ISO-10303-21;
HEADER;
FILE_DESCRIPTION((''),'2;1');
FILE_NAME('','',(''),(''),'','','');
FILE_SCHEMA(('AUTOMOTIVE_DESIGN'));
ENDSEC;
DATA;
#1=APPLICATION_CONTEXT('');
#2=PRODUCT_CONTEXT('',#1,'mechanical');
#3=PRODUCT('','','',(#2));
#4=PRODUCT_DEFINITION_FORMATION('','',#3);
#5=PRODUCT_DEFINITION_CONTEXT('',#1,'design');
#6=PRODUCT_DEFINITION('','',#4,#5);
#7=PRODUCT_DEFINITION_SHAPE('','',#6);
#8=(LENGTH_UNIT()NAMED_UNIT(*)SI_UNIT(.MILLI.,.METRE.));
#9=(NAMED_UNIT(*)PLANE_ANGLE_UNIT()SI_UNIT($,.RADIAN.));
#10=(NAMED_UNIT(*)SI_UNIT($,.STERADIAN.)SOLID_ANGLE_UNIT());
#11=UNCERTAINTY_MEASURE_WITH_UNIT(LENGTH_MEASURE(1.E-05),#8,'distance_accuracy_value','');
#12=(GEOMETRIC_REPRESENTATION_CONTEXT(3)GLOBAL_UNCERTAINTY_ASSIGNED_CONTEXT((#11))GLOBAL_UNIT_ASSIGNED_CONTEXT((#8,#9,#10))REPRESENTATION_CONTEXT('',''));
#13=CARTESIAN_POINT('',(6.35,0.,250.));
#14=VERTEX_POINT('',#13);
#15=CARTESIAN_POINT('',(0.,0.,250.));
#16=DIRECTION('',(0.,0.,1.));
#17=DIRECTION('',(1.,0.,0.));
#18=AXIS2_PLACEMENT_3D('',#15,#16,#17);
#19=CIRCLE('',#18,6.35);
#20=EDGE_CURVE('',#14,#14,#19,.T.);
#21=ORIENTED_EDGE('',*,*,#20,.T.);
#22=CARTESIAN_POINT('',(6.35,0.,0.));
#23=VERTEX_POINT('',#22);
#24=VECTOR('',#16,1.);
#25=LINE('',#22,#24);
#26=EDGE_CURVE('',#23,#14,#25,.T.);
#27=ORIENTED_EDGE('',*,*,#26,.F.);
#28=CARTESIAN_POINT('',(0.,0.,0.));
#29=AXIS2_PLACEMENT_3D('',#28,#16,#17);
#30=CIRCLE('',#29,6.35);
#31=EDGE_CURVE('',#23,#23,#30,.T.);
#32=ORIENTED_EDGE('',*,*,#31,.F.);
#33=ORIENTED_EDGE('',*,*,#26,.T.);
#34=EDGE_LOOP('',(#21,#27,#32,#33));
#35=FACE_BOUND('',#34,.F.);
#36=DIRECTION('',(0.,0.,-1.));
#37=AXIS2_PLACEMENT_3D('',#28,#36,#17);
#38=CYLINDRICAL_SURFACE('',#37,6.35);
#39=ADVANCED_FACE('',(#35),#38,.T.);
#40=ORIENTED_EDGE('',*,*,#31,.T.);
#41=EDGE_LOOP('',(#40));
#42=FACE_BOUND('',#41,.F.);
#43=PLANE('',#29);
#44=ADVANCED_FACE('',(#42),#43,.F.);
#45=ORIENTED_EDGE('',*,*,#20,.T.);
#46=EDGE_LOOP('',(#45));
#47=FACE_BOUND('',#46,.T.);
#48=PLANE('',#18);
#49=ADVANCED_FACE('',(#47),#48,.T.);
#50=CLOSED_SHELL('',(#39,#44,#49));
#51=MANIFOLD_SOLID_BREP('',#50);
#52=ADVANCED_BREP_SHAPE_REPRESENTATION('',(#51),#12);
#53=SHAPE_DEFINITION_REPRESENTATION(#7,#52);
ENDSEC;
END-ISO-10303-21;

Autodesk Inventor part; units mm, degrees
ref_plane "YZ Plane" through (0, 0, 0) normal (1, 0, 0) x (0, 1, 0)
ref_plane "XZ Plane" through (0, 0, 0) normal (0, 1, 0) x (-1, 0, 0)
ref_plane "XY Plane" through (0, 0, 0) normal (0, 0, 1) x (1, 0, 0)
sketch "Sketch1" plane through (0, 0, 0) normal (0, 0, 1) x (1, 0, 0)
  circle A0 centre (0, 0) radius 6.35
  dimension "d0" = 12.7
extrude "Extrusion1" add sketch "Sketch1" along normal blind 250
properties part number "rod_250mm"
